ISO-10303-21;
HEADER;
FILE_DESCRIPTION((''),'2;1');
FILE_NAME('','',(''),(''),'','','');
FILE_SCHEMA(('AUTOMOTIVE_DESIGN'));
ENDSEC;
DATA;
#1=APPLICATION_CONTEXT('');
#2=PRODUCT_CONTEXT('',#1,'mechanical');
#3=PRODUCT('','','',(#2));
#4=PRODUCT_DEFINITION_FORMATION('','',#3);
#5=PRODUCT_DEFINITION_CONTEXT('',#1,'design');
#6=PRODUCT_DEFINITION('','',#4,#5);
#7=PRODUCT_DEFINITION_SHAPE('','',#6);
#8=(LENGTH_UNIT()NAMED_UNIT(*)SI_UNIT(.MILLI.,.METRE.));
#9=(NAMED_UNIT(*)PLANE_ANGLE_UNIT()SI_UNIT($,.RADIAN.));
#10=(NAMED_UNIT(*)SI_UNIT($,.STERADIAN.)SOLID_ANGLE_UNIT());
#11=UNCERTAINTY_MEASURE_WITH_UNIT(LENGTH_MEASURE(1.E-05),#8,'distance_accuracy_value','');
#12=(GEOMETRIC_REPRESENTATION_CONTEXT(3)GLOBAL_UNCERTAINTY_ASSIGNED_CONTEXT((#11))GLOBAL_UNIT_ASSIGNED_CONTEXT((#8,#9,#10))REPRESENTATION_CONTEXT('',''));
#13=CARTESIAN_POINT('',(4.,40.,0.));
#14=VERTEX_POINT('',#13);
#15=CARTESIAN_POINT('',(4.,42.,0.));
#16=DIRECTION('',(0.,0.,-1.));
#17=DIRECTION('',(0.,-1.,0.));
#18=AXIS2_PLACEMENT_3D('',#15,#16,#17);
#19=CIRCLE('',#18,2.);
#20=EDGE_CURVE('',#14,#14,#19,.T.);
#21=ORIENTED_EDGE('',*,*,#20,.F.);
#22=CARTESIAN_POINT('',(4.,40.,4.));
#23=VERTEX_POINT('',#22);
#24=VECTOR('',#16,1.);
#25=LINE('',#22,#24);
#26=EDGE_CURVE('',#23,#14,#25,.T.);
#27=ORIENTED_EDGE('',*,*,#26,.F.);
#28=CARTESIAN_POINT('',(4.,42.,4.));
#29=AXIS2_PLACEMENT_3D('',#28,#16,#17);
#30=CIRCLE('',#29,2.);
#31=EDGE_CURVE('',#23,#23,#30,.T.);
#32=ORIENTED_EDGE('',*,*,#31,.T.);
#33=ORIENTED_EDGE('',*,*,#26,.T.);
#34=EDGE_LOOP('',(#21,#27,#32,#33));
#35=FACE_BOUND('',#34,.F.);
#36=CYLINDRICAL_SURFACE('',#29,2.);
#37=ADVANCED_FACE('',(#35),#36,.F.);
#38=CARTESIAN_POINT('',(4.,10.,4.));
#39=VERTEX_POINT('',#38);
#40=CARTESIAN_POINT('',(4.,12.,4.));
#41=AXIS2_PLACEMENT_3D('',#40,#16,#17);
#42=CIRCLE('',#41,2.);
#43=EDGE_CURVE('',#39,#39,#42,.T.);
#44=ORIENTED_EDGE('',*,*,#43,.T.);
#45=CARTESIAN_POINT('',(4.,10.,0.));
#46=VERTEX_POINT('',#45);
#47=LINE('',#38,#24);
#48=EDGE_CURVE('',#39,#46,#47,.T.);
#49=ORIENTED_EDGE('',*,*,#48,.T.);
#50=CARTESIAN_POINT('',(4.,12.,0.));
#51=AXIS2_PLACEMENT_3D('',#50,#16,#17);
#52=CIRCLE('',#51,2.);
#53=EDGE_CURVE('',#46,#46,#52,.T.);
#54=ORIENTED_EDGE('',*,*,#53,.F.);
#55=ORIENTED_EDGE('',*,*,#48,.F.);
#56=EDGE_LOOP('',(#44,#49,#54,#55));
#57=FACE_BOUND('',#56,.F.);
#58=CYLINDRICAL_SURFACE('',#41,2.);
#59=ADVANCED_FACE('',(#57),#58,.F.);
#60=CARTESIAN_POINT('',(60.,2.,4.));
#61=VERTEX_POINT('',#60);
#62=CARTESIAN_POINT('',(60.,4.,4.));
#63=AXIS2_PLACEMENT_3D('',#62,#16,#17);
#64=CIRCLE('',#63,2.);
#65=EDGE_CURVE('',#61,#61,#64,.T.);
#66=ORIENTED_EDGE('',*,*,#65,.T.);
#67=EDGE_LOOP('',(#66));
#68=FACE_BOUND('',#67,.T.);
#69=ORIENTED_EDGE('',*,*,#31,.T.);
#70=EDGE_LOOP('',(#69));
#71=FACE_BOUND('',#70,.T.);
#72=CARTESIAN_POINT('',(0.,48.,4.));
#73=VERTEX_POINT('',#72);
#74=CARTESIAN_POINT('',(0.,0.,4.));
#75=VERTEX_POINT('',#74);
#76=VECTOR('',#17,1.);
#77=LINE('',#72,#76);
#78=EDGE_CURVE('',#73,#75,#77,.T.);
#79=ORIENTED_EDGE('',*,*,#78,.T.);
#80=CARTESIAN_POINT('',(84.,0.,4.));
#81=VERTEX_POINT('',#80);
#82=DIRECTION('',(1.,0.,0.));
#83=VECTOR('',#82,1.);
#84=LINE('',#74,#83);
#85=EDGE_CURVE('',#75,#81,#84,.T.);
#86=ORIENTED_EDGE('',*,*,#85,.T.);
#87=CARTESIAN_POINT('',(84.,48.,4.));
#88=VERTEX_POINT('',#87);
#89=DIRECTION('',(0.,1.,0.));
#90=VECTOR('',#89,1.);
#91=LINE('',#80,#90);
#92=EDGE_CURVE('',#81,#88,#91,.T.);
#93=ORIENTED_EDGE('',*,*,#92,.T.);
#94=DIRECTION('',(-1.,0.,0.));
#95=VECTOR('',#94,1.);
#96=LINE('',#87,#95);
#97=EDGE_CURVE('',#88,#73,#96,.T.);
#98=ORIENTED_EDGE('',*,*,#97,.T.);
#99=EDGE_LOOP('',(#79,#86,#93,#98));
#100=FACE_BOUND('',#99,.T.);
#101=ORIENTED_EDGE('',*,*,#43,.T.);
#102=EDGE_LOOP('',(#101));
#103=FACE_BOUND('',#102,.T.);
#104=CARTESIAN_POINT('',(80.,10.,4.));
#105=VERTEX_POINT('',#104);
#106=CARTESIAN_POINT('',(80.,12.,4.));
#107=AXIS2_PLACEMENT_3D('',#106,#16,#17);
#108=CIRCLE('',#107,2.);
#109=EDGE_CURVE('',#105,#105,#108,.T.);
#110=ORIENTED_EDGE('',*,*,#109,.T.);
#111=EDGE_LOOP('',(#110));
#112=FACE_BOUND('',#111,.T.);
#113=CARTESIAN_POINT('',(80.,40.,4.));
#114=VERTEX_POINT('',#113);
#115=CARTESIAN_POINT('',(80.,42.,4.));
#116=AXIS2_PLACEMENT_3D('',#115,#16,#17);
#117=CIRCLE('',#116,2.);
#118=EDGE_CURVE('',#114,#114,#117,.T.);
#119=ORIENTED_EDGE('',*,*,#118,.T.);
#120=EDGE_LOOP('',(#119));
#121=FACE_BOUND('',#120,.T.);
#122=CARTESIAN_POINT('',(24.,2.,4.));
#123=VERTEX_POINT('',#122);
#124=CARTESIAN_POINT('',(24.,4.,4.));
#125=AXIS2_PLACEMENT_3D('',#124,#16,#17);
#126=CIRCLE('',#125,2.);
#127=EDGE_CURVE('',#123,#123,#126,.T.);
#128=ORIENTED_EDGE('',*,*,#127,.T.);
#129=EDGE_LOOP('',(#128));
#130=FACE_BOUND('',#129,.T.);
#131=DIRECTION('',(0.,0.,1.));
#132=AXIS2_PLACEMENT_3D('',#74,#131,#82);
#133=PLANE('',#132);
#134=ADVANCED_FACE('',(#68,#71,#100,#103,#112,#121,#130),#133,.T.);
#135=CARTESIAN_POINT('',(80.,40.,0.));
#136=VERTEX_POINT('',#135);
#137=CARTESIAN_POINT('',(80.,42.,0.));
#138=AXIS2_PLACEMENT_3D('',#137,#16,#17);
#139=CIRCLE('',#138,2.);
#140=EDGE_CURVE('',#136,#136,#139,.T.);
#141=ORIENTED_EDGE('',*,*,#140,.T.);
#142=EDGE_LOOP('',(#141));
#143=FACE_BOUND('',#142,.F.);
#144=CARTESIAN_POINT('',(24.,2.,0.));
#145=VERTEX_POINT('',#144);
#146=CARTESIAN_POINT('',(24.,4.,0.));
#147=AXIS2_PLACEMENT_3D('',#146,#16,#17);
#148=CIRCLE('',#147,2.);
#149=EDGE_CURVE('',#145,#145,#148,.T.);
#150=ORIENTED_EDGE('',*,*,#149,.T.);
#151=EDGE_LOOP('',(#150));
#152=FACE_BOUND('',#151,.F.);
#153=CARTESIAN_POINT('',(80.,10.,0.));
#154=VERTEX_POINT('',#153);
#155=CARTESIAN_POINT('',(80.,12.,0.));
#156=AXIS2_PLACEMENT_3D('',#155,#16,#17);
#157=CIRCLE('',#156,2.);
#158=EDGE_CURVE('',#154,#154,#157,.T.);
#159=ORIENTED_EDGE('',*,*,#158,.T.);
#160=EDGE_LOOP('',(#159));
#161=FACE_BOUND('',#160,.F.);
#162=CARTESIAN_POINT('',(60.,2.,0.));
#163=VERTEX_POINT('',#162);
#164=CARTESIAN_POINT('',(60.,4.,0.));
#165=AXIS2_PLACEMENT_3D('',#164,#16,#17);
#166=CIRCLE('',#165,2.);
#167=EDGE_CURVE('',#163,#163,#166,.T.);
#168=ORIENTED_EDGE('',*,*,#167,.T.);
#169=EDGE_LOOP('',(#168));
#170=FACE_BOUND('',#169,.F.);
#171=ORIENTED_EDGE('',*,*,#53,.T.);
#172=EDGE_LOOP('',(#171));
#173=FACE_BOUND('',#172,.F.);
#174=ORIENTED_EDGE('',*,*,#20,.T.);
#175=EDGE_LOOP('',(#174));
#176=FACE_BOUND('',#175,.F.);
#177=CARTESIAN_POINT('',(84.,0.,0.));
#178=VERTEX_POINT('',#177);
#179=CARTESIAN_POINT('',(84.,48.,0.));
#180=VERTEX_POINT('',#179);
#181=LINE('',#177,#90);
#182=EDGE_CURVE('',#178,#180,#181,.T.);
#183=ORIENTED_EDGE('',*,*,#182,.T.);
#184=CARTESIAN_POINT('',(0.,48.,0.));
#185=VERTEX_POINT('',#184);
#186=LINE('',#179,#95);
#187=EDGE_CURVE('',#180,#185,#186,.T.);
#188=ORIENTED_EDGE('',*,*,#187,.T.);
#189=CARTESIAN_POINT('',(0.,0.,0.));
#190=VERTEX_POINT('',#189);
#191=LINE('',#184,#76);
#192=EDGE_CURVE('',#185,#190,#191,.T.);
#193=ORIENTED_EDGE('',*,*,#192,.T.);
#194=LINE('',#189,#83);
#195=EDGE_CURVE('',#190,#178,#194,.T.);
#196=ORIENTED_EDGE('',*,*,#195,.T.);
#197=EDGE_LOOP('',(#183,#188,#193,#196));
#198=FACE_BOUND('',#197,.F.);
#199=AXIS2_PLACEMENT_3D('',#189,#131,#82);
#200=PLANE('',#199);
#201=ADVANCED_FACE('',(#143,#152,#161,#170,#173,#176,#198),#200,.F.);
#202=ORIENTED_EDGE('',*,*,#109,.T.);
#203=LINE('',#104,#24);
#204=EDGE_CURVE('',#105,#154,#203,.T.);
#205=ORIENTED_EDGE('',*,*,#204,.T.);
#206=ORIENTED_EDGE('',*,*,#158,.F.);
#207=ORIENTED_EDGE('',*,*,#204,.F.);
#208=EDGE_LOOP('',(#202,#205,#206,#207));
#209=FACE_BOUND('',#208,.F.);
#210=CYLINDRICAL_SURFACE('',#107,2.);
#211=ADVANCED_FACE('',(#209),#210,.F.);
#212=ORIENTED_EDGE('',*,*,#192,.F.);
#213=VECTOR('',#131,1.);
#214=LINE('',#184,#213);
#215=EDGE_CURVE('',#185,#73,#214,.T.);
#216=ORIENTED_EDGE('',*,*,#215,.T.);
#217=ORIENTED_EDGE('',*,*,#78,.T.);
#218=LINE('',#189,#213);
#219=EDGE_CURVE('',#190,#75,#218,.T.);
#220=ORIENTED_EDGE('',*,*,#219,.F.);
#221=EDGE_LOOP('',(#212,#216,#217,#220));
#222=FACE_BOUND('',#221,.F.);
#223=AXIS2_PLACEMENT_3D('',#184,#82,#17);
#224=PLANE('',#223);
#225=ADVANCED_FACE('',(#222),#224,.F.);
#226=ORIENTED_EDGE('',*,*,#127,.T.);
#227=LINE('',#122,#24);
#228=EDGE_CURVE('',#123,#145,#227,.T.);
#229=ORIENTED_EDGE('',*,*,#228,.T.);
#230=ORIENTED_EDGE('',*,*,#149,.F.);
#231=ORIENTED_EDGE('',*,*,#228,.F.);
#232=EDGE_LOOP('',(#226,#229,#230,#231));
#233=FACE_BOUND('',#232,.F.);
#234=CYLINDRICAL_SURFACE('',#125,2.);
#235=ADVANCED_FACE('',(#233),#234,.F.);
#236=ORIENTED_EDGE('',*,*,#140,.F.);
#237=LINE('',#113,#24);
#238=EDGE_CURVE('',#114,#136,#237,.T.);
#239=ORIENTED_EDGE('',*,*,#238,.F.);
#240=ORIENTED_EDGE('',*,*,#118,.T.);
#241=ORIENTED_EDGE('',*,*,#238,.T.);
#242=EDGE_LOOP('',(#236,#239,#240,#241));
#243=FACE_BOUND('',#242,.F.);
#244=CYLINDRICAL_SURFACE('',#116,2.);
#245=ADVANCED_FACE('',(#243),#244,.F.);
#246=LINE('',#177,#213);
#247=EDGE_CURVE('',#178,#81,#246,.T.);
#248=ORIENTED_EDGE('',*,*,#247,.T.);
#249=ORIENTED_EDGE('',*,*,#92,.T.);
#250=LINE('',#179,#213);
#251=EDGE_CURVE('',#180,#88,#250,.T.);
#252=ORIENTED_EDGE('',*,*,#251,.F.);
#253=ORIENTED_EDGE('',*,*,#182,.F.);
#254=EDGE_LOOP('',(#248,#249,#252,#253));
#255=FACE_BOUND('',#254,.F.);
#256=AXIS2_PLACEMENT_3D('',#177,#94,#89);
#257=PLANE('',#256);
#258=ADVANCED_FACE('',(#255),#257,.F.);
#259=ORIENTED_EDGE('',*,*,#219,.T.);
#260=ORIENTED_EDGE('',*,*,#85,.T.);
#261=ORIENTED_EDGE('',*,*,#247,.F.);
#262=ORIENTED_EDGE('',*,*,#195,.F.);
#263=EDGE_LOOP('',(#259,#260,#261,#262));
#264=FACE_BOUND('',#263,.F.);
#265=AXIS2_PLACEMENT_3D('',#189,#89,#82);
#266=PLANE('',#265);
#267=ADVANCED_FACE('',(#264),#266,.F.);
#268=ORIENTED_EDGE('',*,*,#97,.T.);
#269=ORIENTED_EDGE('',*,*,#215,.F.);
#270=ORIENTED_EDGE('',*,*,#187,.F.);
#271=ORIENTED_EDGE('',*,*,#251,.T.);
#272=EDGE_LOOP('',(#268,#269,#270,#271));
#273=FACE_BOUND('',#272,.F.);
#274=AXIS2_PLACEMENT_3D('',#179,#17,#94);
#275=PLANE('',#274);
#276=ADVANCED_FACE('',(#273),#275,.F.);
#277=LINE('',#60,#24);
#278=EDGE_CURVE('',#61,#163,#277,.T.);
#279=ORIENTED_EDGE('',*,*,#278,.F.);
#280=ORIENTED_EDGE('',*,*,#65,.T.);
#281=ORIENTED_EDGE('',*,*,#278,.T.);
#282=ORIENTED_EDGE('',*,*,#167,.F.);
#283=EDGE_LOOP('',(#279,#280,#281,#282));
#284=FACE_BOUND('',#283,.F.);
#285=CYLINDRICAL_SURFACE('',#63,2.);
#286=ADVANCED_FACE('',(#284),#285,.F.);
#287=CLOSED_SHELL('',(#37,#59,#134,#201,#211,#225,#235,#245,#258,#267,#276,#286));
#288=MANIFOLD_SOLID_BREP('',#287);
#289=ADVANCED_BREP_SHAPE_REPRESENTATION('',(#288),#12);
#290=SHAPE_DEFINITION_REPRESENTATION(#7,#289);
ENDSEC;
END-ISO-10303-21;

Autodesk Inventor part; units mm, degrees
ref_plane "YZ Plane" through (0, 0, 0) normal (1, 0, 0) x (0, 1, 0)
ref_plane "XZ Plane" through (0, 0, 0) normal (0, 1, 0) x (-1, 0, 0)
ref_plane "XY Plane" through (0, 0, 0) normal (0, 0, 1) x (1, 0, 0)
sketch "Skizze1" plane through (0, 0, 0) normal (0, 0, 1) x (1, 0, 0)
  line L0 (0, 0) -> (84, 0)
  line L1 (84, 0) -> (84, 48)
  line L2 (84, 48) -> (0, 48)
  line L3 (0, 48) -> (0, 0)
  dimension "d0" = 48
  dimension "d1" = 84
extrude "Extrusion1" add sketch "Skizze1" along normal blind 4
sketch "Skizze2" plane through (0, 0, 4) normal (0, 0, 1) x (1, 0, 0)
  line L0 (0, 48) -> (0, 0) projected
  line L1 (0, 0) -> (84, 0) projected
  line L2 (84, 0) -> (84, 48) projected
  point P0 (4, 12)
  point P1 (4, 42)
  point P2 (80, 42)
  point P3 (80, 12)
  dimension "d4" = 4
  dimension "d5" = 30
  dimension "d6" = 12
  dimension "d7" = 4
hole "Bohrung1" at (4, 12, 4) at (4, 42, 4) at (80, 42, 4) at (80, 12, 4) direction (0, 0, -1) diameter 4 depth 4
sketch "Skizze3" plane through (0, 0, 4) normal (0, 0, 1) x (1, 0, 0)
  line L0 (0, 0) -> (84, 0) projected
  line L1 (0, 48) -> (0, 0) projected
  point P0 (24, 4)
  point P1 (60, 4)
  dimension "d15" = 4
  dimension "d16" = 24
  dimension "d17" = 36
hole "Bohrung2" at (24, 4, 4) at (60, 4, 4) direction (0, 0, -1) diameter 4 depth 4
equation "\"d7\" = d4"
properties part number "1012"
